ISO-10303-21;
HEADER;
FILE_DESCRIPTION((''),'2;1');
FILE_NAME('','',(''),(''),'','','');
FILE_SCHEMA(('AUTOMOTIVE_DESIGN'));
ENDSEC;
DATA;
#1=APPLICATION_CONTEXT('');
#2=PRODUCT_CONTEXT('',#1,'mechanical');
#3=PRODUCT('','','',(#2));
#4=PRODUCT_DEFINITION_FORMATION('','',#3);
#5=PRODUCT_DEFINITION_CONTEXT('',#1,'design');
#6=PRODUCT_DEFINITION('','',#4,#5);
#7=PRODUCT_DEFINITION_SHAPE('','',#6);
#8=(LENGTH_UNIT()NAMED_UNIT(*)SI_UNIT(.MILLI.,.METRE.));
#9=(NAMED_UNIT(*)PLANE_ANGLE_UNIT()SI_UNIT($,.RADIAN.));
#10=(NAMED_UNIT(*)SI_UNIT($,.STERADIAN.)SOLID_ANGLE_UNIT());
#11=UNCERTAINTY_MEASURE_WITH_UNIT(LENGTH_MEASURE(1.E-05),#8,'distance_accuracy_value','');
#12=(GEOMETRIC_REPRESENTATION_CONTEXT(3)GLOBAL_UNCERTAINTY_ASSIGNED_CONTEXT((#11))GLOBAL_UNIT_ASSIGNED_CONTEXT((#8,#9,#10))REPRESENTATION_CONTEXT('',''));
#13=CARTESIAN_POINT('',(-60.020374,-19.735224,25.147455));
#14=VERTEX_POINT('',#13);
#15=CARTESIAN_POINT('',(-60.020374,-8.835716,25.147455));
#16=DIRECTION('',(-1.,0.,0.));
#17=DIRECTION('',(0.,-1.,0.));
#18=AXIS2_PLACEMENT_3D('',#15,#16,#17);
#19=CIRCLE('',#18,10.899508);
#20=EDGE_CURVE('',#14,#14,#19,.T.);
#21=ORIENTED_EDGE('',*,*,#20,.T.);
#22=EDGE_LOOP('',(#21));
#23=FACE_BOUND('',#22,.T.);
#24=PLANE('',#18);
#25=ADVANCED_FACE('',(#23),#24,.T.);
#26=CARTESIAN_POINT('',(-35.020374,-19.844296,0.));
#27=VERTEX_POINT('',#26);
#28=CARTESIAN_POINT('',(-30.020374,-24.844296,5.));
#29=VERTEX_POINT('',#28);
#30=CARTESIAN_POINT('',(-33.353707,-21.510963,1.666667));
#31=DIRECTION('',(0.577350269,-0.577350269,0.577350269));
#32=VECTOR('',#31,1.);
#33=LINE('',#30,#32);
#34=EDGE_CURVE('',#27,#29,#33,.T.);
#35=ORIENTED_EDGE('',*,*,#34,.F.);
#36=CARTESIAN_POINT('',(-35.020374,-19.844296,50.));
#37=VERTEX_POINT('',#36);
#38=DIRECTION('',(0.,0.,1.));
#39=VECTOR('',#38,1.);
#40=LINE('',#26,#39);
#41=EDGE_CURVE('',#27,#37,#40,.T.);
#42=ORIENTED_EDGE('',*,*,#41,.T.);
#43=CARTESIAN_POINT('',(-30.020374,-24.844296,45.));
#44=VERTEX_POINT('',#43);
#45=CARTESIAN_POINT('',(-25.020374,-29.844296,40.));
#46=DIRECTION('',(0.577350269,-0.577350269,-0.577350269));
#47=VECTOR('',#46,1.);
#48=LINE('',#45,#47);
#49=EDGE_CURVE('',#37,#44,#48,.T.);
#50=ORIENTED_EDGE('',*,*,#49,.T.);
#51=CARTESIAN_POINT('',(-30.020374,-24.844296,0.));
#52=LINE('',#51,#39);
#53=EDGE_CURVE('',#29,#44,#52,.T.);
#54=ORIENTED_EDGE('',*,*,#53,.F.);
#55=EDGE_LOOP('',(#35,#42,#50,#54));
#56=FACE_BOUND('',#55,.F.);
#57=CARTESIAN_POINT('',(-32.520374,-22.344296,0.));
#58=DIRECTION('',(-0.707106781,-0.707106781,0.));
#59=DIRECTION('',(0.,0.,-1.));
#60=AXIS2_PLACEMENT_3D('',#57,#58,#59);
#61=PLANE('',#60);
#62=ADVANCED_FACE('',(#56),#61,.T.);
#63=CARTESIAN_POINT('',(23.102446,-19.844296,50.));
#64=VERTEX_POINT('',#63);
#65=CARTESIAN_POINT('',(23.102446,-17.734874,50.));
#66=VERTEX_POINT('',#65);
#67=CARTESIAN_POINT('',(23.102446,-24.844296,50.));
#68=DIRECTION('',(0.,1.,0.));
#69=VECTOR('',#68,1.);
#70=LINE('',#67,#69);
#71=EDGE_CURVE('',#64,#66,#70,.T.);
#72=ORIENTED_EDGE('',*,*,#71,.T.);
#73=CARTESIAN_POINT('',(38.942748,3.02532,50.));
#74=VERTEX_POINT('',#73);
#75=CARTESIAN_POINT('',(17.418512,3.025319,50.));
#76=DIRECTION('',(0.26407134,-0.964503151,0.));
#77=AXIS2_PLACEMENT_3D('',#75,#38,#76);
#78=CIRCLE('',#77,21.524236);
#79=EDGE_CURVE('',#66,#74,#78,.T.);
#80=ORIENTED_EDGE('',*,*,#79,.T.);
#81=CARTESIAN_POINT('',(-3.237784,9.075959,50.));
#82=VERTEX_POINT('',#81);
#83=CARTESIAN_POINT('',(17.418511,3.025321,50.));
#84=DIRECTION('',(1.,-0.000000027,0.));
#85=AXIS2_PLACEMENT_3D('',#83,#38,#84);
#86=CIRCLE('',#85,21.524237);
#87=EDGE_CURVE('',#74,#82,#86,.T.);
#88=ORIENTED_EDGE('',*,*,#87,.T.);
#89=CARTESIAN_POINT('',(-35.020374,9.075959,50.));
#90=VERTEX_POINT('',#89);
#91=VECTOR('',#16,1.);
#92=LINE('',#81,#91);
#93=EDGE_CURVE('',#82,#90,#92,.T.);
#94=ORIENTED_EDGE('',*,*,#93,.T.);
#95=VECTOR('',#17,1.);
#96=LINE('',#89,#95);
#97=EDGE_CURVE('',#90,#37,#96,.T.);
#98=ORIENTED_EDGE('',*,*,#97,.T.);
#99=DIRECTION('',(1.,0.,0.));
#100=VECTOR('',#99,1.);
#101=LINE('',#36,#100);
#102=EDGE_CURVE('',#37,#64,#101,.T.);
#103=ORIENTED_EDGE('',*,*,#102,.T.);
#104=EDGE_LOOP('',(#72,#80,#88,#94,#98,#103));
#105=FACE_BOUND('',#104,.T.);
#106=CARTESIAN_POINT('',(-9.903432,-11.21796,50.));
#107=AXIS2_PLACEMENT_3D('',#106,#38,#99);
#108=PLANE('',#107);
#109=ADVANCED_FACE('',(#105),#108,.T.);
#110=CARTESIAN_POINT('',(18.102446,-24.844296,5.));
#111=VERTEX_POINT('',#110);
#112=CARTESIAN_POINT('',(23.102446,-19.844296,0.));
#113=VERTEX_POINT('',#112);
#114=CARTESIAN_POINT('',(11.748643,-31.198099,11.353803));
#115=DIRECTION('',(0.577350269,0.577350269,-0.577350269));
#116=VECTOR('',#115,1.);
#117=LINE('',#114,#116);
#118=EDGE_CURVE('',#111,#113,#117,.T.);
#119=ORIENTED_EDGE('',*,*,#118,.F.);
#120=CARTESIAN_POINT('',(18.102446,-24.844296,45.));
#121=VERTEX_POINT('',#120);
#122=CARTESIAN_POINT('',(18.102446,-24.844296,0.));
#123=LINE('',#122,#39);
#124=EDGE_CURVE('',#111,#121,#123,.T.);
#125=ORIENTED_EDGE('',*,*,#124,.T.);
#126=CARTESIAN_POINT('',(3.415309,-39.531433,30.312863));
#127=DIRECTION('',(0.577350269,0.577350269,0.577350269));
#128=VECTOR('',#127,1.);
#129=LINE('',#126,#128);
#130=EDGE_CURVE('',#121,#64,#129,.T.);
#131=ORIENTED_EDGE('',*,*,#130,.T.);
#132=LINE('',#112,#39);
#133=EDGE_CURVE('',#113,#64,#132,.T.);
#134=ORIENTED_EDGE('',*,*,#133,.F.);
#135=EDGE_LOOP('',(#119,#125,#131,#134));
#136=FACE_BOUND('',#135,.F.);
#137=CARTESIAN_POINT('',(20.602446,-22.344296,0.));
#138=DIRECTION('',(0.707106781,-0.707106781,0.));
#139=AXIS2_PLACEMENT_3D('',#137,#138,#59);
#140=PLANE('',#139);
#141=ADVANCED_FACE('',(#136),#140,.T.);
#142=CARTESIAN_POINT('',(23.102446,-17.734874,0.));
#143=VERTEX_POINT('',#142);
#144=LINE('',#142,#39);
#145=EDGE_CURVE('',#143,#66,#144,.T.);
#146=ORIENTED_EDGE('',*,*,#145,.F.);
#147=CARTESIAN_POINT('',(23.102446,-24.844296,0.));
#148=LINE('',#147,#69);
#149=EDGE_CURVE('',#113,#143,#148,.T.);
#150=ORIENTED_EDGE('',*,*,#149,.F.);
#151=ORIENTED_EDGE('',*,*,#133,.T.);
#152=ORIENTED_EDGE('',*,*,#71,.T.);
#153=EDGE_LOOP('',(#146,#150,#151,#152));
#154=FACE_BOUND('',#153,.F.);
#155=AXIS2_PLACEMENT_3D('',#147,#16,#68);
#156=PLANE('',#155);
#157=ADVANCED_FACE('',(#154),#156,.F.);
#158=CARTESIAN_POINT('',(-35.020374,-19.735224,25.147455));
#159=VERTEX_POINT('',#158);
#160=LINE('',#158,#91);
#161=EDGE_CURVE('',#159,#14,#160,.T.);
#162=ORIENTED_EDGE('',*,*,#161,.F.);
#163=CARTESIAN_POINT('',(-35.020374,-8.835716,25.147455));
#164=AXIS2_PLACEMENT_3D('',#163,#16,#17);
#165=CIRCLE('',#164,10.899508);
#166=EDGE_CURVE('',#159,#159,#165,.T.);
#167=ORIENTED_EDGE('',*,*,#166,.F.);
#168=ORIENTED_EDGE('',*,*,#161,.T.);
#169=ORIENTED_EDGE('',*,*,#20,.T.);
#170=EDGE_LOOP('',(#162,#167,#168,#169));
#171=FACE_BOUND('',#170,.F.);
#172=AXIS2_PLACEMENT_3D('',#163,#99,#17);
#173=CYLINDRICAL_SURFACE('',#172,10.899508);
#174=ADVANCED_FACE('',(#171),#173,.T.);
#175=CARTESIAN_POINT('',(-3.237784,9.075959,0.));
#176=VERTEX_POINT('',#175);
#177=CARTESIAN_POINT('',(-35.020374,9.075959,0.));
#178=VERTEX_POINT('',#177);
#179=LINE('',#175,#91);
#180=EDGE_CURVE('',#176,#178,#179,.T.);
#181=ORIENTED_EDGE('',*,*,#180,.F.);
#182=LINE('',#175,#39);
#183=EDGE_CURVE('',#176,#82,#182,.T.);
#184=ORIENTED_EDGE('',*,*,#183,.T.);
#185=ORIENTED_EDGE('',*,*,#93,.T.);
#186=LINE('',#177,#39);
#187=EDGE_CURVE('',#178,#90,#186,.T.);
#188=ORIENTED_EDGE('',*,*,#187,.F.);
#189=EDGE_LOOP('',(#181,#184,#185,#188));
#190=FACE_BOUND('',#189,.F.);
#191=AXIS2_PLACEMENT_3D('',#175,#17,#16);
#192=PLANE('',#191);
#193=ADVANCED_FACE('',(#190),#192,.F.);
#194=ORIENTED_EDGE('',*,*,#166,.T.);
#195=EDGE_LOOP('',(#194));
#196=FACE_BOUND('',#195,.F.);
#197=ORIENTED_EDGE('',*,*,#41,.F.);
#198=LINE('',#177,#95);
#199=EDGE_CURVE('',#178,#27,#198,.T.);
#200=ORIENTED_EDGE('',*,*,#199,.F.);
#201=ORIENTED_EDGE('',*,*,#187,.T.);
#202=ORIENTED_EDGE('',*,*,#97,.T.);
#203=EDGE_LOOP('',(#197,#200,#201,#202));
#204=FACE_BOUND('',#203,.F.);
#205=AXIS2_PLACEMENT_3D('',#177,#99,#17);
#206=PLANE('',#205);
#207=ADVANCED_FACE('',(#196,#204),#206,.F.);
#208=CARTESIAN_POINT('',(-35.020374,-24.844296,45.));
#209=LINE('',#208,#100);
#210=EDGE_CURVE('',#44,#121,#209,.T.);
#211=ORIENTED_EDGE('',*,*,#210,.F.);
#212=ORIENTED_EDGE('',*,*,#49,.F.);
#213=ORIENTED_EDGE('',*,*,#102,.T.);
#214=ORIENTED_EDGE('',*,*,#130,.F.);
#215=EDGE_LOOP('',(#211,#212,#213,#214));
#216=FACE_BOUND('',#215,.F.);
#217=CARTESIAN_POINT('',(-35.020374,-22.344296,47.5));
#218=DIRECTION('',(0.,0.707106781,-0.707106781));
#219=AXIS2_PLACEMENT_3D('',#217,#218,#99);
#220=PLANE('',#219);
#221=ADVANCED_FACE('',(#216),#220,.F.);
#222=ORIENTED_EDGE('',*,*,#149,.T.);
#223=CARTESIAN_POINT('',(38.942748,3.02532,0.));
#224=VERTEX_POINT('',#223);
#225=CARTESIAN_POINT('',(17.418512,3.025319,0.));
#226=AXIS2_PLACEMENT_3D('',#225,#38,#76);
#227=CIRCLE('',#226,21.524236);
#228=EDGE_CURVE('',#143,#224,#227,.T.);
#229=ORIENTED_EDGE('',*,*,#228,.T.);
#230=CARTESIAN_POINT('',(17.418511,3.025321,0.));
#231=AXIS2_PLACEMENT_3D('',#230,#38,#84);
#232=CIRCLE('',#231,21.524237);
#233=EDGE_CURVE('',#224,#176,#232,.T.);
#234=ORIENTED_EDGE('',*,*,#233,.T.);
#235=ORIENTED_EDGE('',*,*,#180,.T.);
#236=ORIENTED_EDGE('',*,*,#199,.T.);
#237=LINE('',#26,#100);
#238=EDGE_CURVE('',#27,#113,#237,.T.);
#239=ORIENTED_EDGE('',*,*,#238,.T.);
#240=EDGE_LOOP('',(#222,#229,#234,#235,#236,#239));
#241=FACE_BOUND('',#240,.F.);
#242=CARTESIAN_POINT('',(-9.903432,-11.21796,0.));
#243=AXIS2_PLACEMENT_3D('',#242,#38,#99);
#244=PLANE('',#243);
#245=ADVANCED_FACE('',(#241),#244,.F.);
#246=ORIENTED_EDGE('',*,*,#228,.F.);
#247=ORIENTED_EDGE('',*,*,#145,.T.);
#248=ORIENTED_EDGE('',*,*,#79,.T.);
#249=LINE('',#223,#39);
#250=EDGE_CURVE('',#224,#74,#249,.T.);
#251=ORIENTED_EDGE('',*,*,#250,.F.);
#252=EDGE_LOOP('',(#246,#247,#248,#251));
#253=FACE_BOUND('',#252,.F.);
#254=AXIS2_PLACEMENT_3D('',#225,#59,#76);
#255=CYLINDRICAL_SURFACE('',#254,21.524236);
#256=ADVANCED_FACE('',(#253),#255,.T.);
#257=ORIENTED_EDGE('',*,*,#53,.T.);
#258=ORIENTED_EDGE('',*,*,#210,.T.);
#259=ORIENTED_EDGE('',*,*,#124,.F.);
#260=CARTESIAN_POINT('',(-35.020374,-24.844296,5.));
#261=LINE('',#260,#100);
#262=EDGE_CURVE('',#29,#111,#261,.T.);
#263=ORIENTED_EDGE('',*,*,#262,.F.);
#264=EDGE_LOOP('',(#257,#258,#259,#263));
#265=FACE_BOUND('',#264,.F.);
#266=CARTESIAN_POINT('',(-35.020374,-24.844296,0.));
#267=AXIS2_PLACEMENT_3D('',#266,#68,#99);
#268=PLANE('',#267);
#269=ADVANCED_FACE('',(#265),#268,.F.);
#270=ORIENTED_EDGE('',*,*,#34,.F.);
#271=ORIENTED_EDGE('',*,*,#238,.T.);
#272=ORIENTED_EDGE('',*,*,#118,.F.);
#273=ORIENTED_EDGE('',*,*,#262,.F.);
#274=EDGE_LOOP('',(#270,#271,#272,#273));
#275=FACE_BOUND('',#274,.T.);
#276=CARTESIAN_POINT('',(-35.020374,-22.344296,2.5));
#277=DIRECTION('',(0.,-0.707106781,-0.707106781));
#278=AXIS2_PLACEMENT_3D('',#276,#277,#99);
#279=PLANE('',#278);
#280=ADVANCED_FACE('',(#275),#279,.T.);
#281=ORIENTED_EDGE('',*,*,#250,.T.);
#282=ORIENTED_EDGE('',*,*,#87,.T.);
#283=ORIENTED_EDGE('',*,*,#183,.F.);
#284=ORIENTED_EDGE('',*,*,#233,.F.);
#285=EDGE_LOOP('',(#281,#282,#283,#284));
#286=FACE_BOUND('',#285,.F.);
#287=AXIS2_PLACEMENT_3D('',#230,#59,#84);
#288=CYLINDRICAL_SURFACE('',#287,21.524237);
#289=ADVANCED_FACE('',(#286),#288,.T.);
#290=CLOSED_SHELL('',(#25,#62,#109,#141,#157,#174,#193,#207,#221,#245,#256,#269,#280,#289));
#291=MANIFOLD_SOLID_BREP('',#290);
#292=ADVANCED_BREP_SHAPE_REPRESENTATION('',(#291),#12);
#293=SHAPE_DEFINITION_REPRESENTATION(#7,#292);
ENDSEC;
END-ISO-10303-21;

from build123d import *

# Parameters (mm, degrees)
F1_DEPTH = 50
F2_R     = 10.899508
F3_DEPTH = 25
F4_SIZE  = 5


with BuildPart() as f1:
    # F0 (on Top) → F1 (new body)
    with BuildSketch(Plane.XY):
        with BuildLine():
            Line((-35.020374, 9.075959), (-35.020374, -24.844296))
            Line((-35.020374, -24.844296), (23.102446, -24.844296))
            Line((23.102446, -24.844296), (23.102446, -17.734874))
            ThreePointArc((23.102446, -17.734874), (2.064421, -12.059264), (-3.237784, 9.075959))
            Line((-3.237784, 9.075959), (-35.020374, 9.075959))
        make_face()
        with BuildLine():
            Line((23.102446, 9.075959), (23.102446, -17.734874))
            ThreePointArc((23.102446, -17.734874), (34.530424, -10.031296), (38.942748, 3.02532))
            ThreePointArc((38.942748, 3.02532), (20.474798, 24.331467), (-3.237784, 9.075959))
            Line((-3.237784, 9.075959), (23.102446, 9.075959))
        make_face()
        with BuildLine():
            ThreePointArc((-3.237784, 9.075959), (2.064421, -12.059264), (23.102446, -17.734874))
            Line((23.102446, -17.734874), (23.102446, 9.075959))
            Line((23.102446, 9.075959), (-3.237784, 9.075959))
        make_face()
    extrude(amount=F1_DEPTH)

    # F2 (on face) → F3 (join)
    with BuildSketch(Plane(origin=(-35.020374, 0, 0), x_dir=(0, -1, 0), z_dir=(-1, 0, 0))):
        with Locations((8.835716, 25.147455)):
            Circle(F2_R)
    extrude(amount=F3_DEPTH)

    # F4
    f4_edges = [f1.edges().sort_by_distance(p)[0] for p in [
        (23.102446, -24.844296, 25),
        (-35.020374, -24.844296, 25),
        (-5.958964, -24.844296, 0),
        (-5.958964, -24.844296, 50),
    ]]
    chamfer(f4_edges, length=F4_SIZE)


solid = f1.part
